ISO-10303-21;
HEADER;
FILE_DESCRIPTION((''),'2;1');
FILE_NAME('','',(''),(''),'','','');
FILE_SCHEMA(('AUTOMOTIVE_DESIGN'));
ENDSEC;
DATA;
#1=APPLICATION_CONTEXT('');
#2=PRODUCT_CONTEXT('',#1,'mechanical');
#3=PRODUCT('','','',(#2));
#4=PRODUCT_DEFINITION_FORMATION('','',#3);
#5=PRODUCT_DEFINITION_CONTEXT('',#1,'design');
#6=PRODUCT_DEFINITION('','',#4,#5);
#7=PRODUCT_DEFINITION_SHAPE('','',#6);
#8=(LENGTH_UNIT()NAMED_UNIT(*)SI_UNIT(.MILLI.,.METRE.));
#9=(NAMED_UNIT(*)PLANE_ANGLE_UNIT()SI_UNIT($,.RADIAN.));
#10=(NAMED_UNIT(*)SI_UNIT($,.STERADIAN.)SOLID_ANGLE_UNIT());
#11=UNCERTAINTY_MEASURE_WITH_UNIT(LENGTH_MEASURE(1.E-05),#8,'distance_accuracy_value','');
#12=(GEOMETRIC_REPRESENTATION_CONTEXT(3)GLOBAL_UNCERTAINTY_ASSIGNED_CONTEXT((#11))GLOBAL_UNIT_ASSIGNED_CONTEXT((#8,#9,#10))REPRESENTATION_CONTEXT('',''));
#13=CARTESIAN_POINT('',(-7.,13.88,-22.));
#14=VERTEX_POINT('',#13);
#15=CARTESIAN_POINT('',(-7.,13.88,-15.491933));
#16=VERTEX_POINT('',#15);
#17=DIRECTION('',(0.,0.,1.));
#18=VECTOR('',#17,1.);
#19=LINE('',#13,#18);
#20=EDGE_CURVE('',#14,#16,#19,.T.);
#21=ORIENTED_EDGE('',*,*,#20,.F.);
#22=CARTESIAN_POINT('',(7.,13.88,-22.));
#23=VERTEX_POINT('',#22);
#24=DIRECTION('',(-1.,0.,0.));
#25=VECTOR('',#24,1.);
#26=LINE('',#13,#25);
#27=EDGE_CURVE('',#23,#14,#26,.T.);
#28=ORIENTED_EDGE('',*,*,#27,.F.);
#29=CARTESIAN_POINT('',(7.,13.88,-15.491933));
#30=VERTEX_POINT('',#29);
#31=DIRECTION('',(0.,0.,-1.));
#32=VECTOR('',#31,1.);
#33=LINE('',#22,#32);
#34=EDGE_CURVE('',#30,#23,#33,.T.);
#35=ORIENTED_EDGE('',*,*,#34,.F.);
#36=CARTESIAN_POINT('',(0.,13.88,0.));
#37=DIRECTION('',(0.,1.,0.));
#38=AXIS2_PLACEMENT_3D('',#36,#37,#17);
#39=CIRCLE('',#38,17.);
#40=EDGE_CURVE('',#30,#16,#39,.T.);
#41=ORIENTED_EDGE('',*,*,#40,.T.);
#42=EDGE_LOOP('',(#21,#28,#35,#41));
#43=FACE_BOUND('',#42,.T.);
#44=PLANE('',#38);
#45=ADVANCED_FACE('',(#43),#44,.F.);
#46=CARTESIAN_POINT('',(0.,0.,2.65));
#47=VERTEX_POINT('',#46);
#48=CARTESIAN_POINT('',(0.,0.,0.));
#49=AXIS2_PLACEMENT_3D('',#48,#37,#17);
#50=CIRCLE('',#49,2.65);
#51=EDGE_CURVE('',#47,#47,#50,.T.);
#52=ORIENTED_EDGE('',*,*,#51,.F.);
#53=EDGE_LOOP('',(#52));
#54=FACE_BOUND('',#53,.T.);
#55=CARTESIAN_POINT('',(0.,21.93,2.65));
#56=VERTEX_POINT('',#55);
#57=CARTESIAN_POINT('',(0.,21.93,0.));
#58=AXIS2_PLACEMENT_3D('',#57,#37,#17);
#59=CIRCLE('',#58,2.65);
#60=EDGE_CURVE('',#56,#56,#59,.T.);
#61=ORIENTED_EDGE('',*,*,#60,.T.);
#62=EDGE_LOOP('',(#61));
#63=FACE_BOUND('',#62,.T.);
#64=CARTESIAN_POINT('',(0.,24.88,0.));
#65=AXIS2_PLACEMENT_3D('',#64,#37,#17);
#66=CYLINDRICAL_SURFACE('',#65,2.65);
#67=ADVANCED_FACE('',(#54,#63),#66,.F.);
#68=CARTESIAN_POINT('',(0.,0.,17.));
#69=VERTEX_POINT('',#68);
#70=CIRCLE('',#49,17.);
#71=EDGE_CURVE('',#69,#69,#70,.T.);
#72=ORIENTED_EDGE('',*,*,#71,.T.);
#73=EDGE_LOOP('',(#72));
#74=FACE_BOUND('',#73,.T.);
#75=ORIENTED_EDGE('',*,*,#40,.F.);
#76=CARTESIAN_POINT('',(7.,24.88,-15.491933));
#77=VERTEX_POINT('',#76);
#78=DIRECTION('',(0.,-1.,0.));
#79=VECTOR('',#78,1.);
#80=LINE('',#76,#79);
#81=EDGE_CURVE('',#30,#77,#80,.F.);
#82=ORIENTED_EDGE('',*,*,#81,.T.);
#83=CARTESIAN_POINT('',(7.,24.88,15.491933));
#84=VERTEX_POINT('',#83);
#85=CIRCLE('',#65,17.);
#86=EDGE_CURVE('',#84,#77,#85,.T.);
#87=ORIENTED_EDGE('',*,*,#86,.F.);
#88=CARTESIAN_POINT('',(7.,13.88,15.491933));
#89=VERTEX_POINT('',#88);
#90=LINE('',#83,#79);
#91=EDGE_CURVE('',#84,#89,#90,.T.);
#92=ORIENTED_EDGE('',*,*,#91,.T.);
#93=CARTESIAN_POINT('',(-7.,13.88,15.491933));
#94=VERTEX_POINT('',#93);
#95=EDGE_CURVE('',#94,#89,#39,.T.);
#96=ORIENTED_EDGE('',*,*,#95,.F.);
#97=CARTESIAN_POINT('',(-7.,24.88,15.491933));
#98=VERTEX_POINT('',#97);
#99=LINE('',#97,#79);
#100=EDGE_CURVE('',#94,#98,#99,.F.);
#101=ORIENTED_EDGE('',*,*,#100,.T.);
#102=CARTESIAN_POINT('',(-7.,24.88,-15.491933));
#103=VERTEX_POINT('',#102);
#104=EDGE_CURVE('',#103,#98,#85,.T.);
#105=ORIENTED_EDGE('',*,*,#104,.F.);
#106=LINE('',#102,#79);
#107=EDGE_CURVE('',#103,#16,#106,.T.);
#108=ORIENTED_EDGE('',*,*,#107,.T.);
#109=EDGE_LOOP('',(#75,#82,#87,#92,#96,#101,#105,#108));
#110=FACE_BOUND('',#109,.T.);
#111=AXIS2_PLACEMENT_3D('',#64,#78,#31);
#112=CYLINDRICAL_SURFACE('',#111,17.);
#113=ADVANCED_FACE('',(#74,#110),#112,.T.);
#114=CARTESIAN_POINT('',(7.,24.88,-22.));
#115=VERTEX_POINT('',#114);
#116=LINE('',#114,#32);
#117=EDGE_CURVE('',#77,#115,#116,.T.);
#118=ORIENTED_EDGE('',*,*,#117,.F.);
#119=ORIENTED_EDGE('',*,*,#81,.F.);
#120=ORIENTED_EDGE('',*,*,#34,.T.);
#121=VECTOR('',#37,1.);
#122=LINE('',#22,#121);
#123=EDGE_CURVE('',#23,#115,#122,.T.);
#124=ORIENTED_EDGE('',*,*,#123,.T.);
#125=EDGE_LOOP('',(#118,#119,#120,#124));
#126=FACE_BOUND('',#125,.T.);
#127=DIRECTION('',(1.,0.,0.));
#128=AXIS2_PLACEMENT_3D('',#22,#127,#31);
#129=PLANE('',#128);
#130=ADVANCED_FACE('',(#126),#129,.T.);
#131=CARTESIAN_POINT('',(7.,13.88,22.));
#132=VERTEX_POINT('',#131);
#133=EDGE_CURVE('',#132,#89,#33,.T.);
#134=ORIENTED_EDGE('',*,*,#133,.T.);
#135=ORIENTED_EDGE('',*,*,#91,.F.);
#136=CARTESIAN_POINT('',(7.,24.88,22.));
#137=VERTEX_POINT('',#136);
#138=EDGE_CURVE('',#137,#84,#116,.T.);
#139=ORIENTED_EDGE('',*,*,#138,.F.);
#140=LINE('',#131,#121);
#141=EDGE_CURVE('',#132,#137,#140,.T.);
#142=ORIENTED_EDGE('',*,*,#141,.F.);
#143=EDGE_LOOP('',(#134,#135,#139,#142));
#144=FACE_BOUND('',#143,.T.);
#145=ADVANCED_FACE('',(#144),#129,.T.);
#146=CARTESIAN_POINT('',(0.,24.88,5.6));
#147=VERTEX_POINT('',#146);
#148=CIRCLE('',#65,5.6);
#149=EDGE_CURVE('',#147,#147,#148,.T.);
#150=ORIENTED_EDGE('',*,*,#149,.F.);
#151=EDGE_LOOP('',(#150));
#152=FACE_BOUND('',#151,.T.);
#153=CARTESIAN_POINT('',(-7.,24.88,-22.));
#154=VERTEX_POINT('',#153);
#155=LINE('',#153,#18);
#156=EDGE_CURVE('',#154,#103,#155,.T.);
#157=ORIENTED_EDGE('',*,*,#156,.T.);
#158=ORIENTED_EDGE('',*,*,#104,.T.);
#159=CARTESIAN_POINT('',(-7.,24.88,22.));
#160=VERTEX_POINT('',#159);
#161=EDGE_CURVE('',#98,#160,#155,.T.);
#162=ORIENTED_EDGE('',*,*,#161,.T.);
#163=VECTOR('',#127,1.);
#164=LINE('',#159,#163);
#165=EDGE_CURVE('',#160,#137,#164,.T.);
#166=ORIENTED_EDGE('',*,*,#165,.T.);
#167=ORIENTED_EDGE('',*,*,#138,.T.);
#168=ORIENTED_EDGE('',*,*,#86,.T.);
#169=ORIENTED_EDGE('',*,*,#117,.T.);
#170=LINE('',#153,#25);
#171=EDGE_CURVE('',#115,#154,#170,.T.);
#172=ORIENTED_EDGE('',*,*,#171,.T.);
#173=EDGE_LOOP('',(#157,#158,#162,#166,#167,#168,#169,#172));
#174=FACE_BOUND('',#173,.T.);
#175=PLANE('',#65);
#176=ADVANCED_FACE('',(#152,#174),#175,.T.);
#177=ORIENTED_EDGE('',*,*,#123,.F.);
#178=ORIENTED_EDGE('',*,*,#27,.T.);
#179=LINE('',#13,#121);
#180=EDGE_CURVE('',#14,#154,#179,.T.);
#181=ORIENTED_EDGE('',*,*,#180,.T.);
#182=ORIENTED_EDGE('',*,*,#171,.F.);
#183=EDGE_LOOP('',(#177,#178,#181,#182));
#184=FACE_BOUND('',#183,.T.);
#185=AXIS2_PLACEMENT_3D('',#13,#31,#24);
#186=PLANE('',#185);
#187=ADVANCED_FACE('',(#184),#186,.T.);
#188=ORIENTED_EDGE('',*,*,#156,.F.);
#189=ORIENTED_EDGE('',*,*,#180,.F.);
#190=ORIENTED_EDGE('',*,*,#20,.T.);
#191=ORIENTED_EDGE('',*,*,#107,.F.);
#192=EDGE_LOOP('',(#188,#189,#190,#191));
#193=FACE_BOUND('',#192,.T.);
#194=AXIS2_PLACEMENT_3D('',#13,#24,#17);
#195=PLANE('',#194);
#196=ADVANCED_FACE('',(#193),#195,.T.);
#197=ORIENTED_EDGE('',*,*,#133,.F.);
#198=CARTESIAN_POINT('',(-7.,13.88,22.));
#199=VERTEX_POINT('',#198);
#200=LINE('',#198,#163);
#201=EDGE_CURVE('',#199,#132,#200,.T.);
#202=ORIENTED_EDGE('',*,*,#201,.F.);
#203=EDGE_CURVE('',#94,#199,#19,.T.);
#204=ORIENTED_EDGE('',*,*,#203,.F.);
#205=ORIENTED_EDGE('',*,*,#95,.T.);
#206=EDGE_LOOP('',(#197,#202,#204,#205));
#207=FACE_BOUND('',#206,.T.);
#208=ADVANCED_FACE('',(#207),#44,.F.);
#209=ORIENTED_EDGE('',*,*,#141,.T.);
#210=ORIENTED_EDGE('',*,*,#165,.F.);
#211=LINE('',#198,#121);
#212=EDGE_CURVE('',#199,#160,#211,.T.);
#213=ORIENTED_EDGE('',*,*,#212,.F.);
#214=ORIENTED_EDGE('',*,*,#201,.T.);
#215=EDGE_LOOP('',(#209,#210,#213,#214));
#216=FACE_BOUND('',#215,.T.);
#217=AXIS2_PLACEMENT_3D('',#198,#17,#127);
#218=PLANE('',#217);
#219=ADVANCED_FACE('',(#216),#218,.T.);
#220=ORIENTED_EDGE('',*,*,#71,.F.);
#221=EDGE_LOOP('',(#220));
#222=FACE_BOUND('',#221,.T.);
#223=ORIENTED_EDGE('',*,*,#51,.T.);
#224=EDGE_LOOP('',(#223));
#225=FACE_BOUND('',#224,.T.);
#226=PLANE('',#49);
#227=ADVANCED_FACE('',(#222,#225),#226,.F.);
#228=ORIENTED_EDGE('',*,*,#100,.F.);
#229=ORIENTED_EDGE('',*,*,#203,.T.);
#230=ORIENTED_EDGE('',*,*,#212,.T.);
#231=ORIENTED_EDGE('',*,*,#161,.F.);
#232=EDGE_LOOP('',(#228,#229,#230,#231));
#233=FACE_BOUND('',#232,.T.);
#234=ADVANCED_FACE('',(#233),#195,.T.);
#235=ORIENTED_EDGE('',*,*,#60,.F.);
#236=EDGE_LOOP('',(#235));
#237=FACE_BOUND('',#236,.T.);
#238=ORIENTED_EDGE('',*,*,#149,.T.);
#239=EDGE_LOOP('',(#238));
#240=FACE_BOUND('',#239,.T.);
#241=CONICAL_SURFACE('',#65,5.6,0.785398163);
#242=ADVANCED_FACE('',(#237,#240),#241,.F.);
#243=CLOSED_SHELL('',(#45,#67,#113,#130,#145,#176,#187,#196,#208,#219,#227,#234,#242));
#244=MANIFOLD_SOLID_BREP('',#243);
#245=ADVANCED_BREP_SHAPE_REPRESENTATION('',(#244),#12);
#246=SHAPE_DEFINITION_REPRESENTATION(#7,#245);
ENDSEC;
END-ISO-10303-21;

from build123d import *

# Parameters (mm, degrees)
SKETCH1_R                     = 17
BOSS_EXTRUDE1_DEPTH           = 24.88
SKETCH2_W                     = 14
SKETCH2_H                     = 44
BOSS_EXTRUDE2_DEPTH           = 11
CSK_FOR_M5_SFHCS1_D           = 5.3
CSK_FOR_M5_SFHCS1_CSINK_D     = 11.2
CSK_FOR_M5_SFHCS1_CSINK_ANGLE = 90


with BuildPart() as part:
    # Sketch1 → Boss-Extrude1 (new body)
    with BuildSketch(Plane(origin=(0, 0, 0), x_dir=(1, 0, 0), z_dir=(0, 1, 0))):
        Circle(SKETCH1_R)
    extrude(amount=BOSS_EXTRUDE1_DEPTH)

    # Sketch2 → Boss-Extrude2 (add)
    with BuildSketch(Plane(origin=(0, 24.88, 0), x_dir=(1, 0, 0), z_dir=(0, 1, 0))):
        Rectangle(SKETCH2_W, SKETCH2_H)
    extrude(amount=-BOSS_EXTRUDE2_DEPTH)

    # CSK for M5 SFHCS1 (through all)
    with Locations(Plane(origin=(0, 24.88, 0), x_dir=(1, 0, 0), z_dir=(0, 1, 0))):
        with Locations((0, 0)):
            CounterSinkHole(CSK_FOR_M5_SFHCS1_D / 2, CSK_FOR_M5_SFHCS1_CSINK_D / 2, counter_sink_angle=CSK_FOR_M5_SFHCS1_CSINK_ANGLE)


solid = part.part
